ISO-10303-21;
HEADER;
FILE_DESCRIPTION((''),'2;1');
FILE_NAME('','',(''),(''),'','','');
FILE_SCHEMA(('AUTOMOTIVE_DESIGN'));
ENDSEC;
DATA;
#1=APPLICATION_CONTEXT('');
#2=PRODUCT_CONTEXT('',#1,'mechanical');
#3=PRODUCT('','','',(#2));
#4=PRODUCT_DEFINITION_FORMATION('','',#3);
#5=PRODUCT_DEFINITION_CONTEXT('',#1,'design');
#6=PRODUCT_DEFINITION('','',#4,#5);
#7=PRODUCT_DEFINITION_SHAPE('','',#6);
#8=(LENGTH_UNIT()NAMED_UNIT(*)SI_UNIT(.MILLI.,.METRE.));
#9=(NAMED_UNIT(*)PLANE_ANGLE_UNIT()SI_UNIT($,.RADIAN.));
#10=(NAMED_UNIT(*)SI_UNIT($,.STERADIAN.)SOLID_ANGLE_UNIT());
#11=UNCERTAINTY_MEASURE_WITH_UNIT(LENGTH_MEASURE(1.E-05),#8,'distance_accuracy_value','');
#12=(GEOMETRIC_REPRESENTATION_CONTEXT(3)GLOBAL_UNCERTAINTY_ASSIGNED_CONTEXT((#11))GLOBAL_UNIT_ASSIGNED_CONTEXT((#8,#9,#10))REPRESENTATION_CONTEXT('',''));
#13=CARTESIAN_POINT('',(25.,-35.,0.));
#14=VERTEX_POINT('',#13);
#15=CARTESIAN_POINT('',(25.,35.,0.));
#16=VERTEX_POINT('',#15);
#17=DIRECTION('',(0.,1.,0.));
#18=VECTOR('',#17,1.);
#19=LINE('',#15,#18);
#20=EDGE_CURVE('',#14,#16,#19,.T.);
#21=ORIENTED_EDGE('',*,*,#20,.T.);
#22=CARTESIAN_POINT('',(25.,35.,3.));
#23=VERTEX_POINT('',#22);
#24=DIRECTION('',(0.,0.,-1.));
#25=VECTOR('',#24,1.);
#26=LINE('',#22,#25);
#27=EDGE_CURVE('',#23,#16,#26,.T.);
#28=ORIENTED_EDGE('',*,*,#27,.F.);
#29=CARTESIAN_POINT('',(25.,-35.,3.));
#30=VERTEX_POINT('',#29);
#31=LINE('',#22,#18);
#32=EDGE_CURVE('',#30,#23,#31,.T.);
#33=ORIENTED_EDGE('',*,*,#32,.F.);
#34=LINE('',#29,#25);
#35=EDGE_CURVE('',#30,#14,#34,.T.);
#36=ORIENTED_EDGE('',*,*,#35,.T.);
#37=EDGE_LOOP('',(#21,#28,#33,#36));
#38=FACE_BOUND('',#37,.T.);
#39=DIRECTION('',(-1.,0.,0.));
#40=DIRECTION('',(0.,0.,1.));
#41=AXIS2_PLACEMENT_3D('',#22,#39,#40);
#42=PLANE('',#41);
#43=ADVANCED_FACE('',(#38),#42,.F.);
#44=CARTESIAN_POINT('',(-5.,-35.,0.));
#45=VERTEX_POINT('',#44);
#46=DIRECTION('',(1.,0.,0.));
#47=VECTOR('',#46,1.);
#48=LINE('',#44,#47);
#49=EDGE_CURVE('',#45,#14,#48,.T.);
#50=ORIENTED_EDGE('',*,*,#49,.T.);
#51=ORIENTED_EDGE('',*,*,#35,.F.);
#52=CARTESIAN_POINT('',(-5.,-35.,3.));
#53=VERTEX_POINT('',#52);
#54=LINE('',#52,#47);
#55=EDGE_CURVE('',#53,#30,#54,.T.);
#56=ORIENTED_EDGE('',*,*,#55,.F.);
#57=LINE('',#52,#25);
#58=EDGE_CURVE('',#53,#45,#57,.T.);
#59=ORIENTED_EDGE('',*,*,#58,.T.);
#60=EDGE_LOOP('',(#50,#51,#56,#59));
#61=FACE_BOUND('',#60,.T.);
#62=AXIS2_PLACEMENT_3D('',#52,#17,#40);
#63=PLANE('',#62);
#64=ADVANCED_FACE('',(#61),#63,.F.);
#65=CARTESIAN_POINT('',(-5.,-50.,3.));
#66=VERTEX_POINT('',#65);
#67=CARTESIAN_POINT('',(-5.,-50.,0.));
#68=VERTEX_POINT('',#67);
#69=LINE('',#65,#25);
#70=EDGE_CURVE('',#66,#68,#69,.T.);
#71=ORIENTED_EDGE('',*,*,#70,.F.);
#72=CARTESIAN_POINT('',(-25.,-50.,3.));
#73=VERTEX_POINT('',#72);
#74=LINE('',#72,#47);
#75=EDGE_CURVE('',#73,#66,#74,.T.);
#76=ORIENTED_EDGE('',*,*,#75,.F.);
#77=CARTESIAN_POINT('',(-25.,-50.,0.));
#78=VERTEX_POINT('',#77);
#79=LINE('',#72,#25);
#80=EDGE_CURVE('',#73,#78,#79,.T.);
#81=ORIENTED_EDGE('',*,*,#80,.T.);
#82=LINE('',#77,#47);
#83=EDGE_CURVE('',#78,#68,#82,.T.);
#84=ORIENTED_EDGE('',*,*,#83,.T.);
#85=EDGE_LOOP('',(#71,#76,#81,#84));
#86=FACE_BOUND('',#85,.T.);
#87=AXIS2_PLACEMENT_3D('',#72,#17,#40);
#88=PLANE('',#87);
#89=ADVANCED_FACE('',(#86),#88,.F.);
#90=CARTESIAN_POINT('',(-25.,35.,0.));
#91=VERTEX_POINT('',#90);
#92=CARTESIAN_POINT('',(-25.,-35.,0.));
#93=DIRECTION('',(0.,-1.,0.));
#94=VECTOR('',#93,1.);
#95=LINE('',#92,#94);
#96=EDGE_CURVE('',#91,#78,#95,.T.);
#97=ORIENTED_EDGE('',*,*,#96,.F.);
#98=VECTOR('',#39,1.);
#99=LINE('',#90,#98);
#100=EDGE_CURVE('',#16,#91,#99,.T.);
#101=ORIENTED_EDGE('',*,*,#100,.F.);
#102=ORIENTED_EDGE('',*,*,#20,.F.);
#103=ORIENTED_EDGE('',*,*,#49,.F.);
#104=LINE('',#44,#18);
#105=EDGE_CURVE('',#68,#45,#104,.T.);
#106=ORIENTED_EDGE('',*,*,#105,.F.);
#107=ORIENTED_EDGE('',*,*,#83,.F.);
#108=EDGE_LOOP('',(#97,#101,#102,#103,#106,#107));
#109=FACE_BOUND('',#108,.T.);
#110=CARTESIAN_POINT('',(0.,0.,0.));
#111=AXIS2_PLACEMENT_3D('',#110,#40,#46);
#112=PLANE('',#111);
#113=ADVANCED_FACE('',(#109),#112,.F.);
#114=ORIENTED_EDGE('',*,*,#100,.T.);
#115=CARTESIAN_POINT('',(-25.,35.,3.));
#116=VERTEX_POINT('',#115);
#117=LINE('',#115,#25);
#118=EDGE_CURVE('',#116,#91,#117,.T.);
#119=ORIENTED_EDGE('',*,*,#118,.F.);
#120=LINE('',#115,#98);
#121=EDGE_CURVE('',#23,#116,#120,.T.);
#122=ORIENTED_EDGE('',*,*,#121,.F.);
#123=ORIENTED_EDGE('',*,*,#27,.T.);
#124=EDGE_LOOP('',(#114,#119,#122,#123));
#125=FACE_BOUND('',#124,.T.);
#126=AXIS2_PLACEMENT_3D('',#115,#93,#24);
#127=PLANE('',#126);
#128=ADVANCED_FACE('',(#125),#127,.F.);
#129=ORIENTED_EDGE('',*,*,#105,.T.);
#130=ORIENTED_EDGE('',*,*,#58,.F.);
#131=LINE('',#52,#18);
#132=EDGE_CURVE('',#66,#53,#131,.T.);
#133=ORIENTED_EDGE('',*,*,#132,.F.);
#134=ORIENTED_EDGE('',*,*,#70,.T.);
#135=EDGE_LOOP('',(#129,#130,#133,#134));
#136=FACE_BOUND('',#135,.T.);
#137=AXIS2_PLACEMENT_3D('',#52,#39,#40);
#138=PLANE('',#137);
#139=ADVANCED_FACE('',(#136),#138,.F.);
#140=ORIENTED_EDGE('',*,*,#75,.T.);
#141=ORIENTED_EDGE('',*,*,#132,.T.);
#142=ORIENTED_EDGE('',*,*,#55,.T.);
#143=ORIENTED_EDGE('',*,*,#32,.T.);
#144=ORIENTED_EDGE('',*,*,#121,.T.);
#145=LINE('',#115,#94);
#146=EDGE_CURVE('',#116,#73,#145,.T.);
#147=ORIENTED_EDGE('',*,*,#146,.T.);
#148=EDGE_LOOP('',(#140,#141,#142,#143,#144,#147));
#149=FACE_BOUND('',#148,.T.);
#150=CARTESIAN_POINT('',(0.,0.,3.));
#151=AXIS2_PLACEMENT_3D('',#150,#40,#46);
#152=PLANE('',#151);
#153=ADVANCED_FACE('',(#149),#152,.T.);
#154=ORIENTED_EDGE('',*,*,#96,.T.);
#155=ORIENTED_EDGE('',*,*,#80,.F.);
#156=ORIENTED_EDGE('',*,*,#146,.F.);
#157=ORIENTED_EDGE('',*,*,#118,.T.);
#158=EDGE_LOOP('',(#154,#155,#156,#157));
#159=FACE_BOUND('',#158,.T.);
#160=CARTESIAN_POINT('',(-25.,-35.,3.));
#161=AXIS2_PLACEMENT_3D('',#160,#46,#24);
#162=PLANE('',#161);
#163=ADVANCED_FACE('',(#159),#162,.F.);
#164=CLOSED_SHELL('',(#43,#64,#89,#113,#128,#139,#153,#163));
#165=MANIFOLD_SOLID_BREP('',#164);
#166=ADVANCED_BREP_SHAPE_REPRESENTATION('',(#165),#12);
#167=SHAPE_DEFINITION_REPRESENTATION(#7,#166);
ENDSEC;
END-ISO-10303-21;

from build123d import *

# Parameters (mm, degrees)
EXTRUDE_1_DEPTH = 3


with BuildPart() as part:
    # 草图1 → 凸台-拉伸1 (new body)
    with BuildSketch(Plane.XY):
        Polygon((-25, 35), (25, 35), (25, -35), (-5, -35), (-5, -50), (-25, -50), (-25, -35), align=None)
    extrude(amount=EXTRUDE_1_DEPTH)


solid = part.part
